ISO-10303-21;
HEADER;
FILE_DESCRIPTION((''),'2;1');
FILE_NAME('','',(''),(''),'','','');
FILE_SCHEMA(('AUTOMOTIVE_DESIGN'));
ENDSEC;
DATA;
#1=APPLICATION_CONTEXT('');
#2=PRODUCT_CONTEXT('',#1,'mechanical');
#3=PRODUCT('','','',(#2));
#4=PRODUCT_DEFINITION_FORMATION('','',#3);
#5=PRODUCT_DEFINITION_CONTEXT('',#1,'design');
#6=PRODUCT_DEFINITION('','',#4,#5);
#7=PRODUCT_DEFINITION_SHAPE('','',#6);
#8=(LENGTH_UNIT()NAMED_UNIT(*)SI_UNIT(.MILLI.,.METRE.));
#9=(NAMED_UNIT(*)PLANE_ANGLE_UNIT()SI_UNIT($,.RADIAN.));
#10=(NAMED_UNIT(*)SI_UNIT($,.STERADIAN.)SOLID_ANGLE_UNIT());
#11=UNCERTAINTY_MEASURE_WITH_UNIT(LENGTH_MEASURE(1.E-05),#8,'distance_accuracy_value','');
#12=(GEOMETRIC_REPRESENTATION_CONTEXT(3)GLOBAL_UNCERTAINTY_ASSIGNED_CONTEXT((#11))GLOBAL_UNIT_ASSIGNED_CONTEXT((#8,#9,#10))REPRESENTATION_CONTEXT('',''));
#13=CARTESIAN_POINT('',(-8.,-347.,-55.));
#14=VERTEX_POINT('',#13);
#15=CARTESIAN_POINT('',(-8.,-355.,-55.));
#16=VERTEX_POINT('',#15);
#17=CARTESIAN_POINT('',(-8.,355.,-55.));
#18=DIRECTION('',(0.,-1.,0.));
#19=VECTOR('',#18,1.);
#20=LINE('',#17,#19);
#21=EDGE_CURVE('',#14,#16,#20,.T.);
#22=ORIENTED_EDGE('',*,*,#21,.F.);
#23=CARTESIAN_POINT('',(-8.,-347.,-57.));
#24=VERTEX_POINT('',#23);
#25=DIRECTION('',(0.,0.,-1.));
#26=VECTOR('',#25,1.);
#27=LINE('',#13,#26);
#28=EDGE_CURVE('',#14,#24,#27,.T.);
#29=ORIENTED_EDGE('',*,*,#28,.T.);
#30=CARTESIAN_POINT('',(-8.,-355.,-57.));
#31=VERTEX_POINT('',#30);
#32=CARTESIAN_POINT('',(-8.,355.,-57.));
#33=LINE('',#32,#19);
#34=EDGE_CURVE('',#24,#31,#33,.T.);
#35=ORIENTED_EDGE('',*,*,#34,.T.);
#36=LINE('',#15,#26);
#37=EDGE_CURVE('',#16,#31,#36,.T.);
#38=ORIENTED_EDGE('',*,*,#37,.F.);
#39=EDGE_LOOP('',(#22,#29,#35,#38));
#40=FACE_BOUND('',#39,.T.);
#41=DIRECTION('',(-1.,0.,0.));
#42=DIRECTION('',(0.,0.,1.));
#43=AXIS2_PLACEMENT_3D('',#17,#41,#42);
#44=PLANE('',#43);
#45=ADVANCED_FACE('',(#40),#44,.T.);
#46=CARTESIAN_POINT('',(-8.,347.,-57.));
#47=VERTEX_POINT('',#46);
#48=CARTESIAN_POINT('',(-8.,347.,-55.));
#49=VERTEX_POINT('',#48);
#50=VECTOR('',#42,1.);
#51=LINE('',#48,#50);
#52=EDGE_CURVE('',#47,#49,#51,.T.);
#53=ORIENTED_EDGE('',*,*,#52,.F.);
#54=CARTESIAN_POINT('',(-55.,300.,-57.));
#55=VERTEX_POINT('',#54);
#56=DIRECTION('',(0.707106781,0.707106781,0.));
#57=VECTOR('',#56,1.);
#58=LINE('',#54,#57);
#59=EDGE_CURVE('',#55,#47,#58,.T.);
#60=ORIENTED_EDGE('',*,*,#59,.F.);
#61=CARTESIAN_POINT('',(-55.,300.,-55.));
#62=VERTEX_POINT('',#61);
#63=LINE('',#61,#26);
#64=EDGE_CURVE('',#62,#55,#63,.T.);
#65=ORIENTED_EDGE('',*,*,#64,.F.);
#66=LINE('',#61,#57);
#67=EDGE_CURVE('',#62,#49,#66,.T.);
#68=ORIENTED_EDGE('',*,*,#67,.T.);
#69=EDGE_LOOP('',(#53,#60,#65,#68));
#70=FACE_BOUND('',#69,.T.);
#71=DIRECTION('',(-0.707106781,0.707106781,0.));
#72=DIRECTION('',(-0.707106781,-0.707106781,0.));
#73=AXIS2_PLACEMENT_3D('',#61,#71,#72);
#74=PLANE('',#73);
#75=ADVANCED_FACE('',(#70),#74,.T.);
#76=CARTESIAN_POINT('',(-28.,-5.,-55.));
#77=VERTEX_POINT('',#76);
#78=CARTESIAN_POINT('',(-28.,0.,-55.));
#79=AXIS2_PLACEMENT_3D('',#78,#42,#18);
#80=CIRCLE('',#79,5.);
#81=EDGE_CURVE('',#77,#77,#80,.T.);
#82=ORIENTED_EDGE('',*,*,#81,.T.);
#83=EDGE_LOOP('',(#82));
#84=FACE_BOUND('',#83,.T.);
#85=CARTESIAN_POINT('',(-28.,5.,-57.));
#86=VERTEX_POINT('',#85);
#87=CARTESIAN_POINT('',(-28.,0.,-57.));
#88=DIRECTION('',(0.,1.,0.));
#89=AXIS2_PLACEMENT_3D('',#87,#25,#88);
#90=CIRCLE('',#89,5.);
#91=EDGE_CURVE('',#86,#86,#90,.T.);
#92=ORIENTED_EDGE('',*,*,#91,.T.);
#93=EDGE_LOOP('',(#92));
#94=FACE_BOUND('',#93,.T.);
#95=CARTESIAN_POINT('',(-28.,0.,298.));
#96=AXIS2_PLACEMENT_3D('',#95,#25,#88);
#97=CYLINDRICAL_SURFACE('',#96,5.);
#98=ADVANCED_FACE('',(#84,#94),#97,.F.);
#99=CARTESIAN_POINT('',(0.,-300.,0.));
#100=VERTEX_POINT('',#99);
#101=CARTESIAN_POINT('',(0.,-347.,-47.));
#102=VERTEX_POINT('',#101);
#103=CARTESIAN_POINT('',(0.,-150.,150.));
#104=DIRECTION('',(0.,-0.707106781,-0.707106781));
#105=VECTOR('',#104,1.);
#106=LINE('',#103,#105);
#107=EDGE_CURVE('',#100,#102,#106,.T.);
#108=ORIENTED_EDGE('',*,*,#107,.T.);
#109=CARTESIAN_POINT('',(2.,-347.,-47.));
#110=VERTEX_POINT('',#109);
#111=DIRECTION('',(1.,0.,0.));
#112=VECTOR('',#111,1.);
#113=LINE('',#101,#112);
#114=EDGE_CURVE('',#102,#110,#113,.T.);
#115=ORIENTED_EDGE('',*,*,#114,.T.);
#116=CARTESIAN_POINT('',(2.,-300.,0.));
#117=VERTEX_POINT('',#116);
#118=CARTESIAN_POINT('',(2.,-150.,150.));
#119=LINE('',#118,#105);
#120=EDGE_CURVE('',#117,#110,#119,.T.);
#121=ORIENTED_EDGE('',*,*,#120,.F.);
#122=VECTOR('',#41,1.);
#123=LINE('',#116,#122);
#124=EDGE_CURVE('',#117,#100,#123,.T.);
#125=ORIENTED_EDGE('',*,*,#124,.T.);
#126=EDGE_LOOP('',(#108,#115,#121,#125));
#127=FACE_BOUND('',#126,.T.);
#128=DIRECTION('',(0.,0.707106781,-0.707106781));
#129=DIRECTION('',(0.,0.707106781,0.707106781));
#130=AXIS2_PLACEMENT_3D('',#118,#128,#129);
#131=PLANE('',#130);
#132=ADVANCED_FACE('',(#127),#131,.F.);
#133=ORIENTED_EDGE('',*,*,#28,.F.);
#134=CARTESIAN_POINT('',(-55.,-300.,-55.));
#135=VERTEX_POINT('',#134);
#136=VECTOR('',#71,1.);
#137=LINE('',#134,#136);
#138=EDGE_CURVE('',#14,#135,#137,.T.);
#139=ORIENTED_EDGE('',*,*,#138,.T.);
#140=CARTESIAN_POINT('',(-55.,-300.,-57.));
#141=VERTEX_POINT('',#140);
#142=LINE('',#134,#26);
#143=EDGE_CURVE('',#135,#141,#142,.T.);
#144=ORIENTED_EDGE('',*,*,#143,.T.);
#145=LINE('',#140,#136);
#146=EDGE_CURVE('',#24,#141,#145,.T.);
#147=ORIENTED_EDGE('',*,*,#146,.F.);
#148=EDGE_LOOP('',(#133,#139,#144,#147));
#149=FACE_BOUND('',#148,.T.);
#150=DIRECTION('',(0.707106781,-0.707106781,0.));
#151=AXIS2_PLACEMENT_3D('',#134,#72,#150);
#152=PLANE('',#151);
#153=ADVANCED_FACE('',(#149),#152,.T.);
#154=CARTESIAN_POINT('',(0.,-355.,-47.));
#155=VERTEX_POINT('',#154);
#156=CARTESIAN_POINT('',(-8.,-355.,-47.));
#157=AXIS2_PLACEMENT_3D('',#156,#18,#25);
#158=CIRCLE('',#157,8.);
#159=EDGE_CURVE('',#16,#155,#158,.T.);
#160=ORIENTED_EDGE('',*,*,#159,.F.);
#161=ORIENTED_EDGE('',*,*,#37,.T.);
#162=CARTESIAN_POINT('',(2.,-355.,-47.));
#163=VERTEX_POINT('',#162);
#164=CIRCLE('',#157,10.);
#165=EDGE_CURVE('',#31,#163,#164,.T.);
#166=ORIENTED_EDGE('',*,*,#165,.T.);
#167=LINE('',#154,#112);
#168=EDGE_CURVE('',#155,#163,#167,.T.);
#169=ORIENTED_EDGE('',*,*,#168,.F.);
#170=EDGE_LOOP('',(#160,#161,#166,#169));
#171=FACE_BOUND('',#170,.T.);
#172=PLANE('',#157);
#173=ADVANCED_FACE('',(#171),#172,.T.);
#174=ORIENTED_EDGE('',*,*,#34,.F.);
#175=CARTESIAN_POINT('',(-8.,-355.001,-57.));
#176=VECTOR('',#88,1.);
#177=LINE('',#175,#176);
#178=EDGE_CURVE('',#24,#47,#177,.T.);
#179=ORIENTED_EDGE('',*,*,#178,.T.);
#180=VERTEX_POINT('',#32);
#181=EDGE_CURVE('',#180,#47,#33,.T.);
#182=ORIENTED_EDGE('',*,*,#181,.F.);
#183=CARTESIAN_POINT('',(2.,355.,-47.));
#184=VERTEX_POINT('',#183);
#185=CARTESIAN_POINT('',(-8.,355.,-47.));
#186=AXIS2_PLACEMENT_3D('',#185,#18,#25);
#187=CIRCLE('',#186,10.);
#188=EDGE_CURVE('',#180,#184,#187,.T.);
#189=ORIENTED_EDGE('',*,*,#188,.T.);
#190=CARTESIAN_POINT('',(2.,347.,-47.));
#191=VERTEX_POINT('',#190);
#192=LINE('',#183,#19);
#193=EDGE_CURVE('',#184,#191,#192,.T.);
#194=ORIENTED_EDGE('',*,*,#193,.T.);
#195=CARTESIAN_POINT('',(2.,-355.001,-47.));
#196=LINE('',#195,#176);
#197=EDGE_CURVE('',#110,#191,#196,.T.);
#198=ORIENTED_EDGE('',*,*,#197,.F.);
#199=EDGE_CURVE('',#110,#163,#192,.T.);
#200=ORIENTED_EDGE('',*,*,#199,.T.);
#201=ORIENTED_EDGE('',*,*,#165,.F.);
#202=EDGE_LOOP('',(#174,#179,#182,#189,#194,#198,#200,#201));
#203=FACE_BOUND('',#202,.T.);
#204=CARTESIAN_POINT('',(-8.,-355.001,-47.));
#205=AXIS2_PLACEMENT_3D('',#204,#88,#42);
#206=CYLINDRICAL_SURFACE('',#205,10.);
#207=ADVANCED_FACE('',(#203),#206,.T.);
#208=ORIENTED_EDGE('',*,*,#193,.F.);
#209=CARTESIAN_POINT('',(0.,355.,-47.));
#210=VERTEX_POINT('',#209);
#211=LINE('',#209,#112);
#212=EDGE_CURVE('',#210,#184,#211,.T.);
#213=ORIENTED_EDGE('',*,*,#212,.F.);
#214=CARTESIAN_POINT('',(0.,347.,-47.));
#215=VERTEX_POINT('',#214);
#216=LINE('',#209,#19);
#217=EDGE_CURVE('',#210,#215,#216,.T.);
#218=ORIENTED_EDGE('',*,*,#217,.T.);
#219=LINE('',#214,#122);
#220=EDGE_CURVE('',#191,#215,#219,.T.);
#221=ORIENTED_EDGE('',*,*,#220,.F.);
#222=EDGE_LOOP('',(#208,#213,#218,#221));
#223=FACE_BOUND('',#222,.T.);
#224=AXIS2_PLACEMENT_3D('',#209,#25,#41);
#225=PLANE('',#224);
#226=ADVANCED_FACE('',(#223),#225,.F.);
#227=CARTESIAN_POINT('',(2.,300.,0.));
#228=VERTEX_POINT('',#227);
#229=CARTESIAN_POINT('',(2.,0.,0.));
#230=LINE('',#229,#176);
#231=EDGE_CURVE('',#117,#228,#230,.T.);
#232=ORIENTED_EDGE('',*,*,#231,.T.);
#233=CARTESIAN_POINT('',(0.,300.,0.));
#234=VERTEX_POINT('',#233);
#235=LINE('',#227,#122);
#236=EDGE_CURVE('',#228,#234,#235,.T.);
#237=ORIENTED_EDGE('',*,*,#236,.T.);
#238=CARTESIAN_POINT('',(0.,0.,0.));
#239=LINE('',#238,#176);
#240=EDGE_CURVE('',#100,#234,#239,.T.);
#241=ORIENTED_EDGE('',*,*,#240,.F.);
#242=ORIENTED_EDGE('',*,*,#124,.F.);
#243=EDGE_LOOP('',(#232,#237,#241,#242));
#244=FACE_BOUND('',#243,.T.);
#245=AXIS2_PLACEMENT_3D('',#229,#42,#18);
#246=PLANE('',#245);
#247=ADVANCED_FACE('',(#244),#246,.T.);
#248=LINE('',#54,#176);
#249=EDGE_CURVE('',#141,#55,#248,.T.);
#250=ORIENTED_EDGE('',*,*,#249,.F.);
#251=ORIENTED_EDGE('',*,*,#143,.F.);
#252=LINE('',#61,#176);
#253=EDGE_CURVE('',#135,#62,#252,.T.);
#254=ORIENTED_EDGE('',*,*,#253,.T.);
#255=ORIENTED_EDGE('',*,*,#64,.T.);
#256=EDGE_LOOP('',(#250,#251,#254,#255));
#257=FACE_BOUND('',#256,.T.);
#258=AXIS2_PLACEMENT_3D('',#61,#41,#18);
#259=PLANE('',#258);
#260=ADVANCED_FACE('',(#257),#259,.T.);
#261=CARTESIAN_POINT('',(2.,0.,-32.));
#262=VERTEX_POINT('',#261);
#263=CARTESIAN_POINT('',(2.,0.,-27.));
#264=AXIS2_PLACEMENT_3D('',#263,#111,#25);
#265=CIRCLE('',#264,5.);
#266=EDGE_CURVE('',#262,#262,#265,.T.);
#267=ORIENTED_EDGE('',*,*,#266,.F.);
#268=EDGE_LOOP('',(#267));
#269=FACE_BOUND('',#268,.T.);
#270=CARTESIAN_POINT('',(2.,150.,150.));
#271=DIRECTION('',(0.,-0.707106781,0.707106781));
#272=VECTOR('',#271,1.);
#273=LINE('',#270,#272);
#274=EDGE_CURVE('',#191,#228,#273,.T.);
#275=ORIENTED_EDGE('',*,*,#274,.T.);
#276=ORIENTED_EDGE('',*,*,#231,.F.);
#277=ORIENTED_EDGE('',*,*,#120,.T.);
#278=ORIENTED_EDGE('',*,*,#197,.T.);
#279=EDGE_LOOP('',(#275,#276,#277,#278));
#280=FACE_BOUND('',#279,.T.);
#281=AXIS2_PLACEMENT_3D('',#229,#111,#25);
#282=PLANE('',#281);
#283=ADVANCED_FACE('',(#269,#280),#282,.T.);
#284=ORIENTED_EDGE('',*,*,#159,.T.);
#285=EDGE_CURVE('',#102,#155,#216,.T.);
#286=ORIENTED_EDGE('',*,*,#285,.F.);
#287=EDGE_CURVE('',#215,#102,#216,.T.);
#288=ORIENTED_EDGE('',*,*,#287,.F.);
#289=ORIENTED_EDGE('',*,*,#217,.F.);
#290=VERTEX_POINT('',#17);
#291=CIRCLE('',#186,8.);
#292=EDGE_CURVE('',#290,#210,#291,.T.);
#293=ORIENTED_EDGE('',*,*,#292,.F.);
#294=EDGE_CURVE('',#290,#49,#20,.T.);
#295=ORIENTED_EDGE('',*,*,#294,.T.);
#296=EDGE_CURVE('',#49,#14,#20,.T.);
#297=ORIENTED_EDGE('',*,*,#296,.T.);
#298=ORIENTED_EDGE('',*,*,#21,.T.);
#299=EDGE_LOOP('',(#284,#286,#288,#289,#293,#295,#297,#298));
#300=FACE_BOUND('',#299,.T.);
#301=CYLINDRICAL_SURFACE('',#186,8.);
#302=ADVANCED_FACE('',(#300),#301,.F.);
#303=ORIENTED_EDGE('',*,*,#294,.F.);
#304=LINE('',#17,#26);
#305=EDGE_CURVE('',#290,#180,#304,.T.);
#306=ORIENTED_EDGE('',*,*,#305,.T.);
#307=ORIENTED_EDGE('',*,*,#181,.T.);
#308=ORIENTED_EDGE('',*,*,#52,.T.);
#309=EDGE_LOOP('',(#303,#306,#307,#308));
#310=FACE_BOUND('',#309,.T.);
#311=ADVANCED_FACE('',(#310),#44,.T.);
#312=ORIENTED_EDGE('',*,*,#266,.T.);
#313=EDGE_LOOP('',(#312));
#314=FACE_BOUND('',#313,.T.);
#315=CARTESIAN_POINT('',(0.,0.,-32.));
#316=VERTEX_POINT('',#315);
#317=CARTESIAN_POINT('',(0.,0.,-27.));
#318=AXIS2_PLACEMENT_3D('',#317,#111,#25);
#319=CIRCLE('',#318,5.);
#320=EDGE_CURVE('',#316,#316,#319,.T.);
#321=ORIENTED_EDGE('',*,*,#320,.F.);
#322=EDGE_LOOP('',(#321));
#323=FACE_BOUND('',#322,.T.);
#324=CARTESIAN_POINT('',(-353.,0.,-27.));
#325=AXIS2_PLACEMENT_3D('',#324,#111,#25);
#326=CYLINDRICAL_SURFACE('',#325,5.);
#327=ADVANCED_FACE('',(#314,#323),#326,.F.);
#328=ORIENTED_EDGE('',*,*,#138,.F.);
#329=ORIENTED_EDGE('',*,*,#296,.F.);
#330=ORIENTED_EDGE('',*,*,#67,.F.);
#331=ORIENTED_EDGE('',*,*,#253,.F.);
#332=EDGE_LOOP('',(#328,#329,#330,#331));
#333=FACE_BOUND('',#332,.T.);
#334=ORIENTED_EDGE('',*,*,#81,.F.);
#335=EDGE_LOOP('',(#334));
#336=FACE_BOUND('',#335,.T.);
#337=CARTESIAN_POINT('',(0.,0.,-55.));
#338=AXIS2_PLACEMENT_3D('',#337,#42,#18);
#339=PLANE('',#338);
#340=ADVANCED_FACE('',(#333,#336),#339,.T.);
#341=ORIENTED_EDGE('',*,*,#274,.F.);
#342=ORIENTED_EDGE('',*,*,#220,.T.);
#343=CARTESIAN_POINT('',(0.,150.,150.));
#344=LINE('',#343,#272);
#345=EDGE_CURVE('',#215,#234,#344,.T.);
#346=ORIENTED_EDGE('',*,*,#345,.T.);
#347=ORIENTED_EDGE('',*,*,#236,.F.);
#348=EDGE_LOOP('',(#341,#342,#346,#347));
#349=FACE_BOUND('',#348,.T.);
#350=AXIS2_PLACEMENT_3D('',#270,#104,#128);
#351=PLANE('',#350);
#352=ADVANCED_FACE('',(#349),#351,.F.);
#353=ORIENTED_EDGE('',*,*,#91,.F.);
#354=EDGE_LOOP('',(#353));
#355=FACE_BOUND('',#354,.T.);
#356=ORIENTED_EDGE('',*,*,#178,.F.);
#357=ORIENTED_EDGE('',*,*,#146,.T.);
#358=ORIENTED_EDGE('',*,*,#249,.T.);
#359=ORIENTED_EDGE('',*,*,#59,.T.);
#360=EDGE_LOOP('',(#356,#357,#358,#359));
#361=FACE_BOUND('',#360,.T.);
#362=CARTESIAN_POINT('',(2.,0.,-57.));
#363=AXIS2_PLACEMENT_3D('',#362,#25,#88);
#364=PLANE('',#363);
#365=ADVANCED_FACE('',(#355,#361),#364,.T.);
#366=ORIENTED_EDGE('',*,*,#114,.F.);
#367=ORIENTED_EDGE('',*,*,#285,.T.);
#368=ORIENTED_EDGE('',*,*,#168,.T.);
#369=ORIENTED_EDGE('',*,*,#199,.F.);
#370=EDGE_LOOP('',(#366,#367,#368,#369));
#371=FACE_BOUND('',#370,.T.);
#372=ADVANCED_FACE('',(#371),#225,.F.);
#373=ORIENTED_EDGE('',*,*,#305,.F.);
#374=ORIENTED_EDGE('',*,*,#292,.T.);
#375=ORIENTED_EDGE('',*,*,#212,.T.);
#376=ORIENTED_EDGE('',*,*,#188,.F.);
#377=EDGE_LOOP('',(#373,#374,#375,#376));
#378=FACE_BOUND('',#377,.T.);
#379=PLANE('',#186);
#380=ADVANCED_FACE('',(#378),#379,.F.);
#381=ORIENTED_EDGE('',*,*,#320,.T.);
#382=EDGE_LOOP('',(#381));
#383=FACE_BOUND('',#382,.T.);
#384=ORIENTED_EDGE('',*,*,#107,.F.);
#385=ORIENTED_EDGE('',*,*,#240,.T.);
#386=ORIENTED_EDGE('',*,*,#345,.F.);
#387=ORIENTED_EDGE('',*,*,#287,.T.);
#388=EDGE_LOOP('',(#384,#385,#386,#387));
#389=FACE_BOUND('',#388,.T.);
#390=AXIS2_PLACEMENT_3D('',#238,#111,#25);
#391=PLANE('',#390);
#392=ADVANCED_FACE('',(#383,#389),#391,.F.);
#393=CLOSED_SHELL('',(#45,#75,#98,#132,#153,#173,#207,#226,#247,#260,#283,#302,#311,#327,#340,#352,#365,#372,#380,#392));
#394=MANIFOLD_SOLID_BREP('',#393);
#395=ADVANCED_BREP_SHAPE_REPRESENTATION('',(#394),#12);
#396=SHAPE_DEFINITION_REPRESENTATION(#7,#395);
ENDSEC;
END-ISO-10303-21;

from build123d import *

# Parameters (mm, degrees)
BOSS_EXTRUDE1_DEPTH            = 2
BOSS_EXTRUDE3_DEPTH            = 2
CUT_EXTRUDE2_REACH             = 365.729
CUT_EXTRUDE2_DIRECTION_2_REACH = 365.729
BOSS_EXTRUDE5_DEPTH            = 355
BOSS_EXTRUDE5_DEPTH_BACK       = 355
SKETCH7_R                      = 5
CUT_EXTRUDE3_DEPTH             = 355
SKETCH8_R                      = 5
CUT_EXTRUDE4_DEPTH             = 355


with BuildPart() as part:
    # Sketch1 → Boss-Extrude1 (new body)
    with BuildSketch(Plane(origin=(0, 0, 0), x_dir=(0, 0, -1), z_dir=(1, 0, 0))):
        Polygon((0, -300), (55, -355), (57, -355), (57, 355), (55, 355), (0, 300), align=None)
    extrude(amount=BOSS_EXTRUDE1_DEPTH)

    # Sketch2 → Boss-Extrude3 (add)
    with BuildSketch(Plane(origin=(0, 0, -57), x_dir=(-1, 0, 0), z_dir=(0, 0, -1))):
        Polygon((55, 300), (55, -300), (0, -355), (0, 355), align=None)
    extrude(amount=-BOSS_EXTRUDE3_DEPTH)

    # Sketch3 → Cut-Extrude2 (cut, up to next)
    with BuildSketch(Plane(origin=(0, 0, 0), x_dir=(-1, 0, 0), z_dir=(0, -1, 0)), mode=Mode.PRIVATE) as cut_extrude2_sk1:
        with BuildLine():
            Line((8, 57), (-2, 57))
            Line((-2, 57), (-2, 47))
            ThreePointArc((-2, 47), (0.928932188, 54.071067812), (8, 57))
        make_face()
    cut_extrude2_tool1 = extrude(cut_extrude2_sk1.sketch, amount=-CUT_EXTRUDE2_REACH, mode=Mode.PRIVATE) & part.part
    add(cut_extrude2_tool1.solids().sort_by_distance((-0.233679, 0, -54.766321))[0], mode=Mode.SUBTRACT)

    # Sketch3 → Cut-Extrude2 direction 2 (cut, up to next)
    with BuildSketch(Plane(origin=(0, 0, 0), x_dir=(-1, 0, 0), z_dir=(0, -1, 0)), mode=Mode.PRIVATE) as cut_extrude2_direction_2_sk1:
        with BuildLine():
            Line((8, 57), (-2, 57))
            Line((-2, 57), (-2, 47))
            ThreePointArc((-2, 47), (0.928932188, 54.071067812), (8, 57))
        make_face()
    cut_extrude2_direction_2_tool1 = extrude(cut_extrude2_direction_2_sk1.sketch, amount=CUT_EXTRUDE2_DIRECTION_2_REACH, mode=Mode.PRIVATE) & part.part
    add(cut_extrude2_direction_2_tool1.solids().sort_by_distance((-0.233679, 0, -54.766321))[0], mode=Mode.SUBTRACT)


with BuildPart() as cut_extrude2_piece_1:
    # of the separate pieces the step leaves, piece 1, a body of its own (cut_extrude2_pieces)
    add(part.part.solids().sort_by_distance((-8, -347, -57))[0])



with BuildPart() as cut_extrude2_piece_2:
    # of the separate pieces the step leaves, piece 2, a body of its own (cut_extrude2_pieces)
    add(part.part.solids().sort_by_distance((0, 300, 0))[0])


with BuildPart() as cut_extrude2_piece_1_1:
    add(cut_extrude2_piece_1.part)

    add(cut_extrude2_piece_2.part)  # Boss-Extrude5 merges Cut-Extrude2 piece 2
    # Sketch6 → Boss-Extrude5 (add, two sides: drawn at the far end of the back side and taken through both)
    with BuildSketch(Plane(origin=(0, 0, 0), x_dir=(-1, 0, 0), z_dir=(0, -1, 0)).offset(-BOSS_EXTRUDE5_DEPTH_BACK)):
        with BuildLine():
            Line((8, 55), (8, 57))
            ThreePointArc((8, 57), (0.928932188, 54.071067812), (-2, 47))
            Line((-2, 47), (0, 47))
            ThreePointArc((0, 47), (2.343145751, 52.656854249), (8, 55))
        make_face()
    extrude(amount=BOSS_EXTRUDE5_DEPTH + BOSS_EXTRUDE5_DEPTH_BACK)

    # Sketch7 → Cut-Extrude3 (cut)
    with BuildSketch(Plane(origin=(0, 0, -57), x_dir=(-1, 0, 0), z_dir=(0, 0, -1))):
        with Locations((28, 0)):
            Circle(SKETCH7_R)
    extrude(amount=-CUT_EXTRUDE3_DEPTH, mode=Mode.SUBTRACT)

    # Sketch8 → Cut-Extrude4 (cut)
    with BuildSketch(Plane(origin=(2, 0, 0), x_dir=(0, 0, -1), z_dir=(1, 0, 0))):
        with Locations((27, 0)):
            Circle(SKETCH8_R)
    extrude(amount=-CUT_EXTRUDE4_DEPTH, mode=Mode.SUBTRACT)


solid = cut_extrude2_piece_1_1.part
